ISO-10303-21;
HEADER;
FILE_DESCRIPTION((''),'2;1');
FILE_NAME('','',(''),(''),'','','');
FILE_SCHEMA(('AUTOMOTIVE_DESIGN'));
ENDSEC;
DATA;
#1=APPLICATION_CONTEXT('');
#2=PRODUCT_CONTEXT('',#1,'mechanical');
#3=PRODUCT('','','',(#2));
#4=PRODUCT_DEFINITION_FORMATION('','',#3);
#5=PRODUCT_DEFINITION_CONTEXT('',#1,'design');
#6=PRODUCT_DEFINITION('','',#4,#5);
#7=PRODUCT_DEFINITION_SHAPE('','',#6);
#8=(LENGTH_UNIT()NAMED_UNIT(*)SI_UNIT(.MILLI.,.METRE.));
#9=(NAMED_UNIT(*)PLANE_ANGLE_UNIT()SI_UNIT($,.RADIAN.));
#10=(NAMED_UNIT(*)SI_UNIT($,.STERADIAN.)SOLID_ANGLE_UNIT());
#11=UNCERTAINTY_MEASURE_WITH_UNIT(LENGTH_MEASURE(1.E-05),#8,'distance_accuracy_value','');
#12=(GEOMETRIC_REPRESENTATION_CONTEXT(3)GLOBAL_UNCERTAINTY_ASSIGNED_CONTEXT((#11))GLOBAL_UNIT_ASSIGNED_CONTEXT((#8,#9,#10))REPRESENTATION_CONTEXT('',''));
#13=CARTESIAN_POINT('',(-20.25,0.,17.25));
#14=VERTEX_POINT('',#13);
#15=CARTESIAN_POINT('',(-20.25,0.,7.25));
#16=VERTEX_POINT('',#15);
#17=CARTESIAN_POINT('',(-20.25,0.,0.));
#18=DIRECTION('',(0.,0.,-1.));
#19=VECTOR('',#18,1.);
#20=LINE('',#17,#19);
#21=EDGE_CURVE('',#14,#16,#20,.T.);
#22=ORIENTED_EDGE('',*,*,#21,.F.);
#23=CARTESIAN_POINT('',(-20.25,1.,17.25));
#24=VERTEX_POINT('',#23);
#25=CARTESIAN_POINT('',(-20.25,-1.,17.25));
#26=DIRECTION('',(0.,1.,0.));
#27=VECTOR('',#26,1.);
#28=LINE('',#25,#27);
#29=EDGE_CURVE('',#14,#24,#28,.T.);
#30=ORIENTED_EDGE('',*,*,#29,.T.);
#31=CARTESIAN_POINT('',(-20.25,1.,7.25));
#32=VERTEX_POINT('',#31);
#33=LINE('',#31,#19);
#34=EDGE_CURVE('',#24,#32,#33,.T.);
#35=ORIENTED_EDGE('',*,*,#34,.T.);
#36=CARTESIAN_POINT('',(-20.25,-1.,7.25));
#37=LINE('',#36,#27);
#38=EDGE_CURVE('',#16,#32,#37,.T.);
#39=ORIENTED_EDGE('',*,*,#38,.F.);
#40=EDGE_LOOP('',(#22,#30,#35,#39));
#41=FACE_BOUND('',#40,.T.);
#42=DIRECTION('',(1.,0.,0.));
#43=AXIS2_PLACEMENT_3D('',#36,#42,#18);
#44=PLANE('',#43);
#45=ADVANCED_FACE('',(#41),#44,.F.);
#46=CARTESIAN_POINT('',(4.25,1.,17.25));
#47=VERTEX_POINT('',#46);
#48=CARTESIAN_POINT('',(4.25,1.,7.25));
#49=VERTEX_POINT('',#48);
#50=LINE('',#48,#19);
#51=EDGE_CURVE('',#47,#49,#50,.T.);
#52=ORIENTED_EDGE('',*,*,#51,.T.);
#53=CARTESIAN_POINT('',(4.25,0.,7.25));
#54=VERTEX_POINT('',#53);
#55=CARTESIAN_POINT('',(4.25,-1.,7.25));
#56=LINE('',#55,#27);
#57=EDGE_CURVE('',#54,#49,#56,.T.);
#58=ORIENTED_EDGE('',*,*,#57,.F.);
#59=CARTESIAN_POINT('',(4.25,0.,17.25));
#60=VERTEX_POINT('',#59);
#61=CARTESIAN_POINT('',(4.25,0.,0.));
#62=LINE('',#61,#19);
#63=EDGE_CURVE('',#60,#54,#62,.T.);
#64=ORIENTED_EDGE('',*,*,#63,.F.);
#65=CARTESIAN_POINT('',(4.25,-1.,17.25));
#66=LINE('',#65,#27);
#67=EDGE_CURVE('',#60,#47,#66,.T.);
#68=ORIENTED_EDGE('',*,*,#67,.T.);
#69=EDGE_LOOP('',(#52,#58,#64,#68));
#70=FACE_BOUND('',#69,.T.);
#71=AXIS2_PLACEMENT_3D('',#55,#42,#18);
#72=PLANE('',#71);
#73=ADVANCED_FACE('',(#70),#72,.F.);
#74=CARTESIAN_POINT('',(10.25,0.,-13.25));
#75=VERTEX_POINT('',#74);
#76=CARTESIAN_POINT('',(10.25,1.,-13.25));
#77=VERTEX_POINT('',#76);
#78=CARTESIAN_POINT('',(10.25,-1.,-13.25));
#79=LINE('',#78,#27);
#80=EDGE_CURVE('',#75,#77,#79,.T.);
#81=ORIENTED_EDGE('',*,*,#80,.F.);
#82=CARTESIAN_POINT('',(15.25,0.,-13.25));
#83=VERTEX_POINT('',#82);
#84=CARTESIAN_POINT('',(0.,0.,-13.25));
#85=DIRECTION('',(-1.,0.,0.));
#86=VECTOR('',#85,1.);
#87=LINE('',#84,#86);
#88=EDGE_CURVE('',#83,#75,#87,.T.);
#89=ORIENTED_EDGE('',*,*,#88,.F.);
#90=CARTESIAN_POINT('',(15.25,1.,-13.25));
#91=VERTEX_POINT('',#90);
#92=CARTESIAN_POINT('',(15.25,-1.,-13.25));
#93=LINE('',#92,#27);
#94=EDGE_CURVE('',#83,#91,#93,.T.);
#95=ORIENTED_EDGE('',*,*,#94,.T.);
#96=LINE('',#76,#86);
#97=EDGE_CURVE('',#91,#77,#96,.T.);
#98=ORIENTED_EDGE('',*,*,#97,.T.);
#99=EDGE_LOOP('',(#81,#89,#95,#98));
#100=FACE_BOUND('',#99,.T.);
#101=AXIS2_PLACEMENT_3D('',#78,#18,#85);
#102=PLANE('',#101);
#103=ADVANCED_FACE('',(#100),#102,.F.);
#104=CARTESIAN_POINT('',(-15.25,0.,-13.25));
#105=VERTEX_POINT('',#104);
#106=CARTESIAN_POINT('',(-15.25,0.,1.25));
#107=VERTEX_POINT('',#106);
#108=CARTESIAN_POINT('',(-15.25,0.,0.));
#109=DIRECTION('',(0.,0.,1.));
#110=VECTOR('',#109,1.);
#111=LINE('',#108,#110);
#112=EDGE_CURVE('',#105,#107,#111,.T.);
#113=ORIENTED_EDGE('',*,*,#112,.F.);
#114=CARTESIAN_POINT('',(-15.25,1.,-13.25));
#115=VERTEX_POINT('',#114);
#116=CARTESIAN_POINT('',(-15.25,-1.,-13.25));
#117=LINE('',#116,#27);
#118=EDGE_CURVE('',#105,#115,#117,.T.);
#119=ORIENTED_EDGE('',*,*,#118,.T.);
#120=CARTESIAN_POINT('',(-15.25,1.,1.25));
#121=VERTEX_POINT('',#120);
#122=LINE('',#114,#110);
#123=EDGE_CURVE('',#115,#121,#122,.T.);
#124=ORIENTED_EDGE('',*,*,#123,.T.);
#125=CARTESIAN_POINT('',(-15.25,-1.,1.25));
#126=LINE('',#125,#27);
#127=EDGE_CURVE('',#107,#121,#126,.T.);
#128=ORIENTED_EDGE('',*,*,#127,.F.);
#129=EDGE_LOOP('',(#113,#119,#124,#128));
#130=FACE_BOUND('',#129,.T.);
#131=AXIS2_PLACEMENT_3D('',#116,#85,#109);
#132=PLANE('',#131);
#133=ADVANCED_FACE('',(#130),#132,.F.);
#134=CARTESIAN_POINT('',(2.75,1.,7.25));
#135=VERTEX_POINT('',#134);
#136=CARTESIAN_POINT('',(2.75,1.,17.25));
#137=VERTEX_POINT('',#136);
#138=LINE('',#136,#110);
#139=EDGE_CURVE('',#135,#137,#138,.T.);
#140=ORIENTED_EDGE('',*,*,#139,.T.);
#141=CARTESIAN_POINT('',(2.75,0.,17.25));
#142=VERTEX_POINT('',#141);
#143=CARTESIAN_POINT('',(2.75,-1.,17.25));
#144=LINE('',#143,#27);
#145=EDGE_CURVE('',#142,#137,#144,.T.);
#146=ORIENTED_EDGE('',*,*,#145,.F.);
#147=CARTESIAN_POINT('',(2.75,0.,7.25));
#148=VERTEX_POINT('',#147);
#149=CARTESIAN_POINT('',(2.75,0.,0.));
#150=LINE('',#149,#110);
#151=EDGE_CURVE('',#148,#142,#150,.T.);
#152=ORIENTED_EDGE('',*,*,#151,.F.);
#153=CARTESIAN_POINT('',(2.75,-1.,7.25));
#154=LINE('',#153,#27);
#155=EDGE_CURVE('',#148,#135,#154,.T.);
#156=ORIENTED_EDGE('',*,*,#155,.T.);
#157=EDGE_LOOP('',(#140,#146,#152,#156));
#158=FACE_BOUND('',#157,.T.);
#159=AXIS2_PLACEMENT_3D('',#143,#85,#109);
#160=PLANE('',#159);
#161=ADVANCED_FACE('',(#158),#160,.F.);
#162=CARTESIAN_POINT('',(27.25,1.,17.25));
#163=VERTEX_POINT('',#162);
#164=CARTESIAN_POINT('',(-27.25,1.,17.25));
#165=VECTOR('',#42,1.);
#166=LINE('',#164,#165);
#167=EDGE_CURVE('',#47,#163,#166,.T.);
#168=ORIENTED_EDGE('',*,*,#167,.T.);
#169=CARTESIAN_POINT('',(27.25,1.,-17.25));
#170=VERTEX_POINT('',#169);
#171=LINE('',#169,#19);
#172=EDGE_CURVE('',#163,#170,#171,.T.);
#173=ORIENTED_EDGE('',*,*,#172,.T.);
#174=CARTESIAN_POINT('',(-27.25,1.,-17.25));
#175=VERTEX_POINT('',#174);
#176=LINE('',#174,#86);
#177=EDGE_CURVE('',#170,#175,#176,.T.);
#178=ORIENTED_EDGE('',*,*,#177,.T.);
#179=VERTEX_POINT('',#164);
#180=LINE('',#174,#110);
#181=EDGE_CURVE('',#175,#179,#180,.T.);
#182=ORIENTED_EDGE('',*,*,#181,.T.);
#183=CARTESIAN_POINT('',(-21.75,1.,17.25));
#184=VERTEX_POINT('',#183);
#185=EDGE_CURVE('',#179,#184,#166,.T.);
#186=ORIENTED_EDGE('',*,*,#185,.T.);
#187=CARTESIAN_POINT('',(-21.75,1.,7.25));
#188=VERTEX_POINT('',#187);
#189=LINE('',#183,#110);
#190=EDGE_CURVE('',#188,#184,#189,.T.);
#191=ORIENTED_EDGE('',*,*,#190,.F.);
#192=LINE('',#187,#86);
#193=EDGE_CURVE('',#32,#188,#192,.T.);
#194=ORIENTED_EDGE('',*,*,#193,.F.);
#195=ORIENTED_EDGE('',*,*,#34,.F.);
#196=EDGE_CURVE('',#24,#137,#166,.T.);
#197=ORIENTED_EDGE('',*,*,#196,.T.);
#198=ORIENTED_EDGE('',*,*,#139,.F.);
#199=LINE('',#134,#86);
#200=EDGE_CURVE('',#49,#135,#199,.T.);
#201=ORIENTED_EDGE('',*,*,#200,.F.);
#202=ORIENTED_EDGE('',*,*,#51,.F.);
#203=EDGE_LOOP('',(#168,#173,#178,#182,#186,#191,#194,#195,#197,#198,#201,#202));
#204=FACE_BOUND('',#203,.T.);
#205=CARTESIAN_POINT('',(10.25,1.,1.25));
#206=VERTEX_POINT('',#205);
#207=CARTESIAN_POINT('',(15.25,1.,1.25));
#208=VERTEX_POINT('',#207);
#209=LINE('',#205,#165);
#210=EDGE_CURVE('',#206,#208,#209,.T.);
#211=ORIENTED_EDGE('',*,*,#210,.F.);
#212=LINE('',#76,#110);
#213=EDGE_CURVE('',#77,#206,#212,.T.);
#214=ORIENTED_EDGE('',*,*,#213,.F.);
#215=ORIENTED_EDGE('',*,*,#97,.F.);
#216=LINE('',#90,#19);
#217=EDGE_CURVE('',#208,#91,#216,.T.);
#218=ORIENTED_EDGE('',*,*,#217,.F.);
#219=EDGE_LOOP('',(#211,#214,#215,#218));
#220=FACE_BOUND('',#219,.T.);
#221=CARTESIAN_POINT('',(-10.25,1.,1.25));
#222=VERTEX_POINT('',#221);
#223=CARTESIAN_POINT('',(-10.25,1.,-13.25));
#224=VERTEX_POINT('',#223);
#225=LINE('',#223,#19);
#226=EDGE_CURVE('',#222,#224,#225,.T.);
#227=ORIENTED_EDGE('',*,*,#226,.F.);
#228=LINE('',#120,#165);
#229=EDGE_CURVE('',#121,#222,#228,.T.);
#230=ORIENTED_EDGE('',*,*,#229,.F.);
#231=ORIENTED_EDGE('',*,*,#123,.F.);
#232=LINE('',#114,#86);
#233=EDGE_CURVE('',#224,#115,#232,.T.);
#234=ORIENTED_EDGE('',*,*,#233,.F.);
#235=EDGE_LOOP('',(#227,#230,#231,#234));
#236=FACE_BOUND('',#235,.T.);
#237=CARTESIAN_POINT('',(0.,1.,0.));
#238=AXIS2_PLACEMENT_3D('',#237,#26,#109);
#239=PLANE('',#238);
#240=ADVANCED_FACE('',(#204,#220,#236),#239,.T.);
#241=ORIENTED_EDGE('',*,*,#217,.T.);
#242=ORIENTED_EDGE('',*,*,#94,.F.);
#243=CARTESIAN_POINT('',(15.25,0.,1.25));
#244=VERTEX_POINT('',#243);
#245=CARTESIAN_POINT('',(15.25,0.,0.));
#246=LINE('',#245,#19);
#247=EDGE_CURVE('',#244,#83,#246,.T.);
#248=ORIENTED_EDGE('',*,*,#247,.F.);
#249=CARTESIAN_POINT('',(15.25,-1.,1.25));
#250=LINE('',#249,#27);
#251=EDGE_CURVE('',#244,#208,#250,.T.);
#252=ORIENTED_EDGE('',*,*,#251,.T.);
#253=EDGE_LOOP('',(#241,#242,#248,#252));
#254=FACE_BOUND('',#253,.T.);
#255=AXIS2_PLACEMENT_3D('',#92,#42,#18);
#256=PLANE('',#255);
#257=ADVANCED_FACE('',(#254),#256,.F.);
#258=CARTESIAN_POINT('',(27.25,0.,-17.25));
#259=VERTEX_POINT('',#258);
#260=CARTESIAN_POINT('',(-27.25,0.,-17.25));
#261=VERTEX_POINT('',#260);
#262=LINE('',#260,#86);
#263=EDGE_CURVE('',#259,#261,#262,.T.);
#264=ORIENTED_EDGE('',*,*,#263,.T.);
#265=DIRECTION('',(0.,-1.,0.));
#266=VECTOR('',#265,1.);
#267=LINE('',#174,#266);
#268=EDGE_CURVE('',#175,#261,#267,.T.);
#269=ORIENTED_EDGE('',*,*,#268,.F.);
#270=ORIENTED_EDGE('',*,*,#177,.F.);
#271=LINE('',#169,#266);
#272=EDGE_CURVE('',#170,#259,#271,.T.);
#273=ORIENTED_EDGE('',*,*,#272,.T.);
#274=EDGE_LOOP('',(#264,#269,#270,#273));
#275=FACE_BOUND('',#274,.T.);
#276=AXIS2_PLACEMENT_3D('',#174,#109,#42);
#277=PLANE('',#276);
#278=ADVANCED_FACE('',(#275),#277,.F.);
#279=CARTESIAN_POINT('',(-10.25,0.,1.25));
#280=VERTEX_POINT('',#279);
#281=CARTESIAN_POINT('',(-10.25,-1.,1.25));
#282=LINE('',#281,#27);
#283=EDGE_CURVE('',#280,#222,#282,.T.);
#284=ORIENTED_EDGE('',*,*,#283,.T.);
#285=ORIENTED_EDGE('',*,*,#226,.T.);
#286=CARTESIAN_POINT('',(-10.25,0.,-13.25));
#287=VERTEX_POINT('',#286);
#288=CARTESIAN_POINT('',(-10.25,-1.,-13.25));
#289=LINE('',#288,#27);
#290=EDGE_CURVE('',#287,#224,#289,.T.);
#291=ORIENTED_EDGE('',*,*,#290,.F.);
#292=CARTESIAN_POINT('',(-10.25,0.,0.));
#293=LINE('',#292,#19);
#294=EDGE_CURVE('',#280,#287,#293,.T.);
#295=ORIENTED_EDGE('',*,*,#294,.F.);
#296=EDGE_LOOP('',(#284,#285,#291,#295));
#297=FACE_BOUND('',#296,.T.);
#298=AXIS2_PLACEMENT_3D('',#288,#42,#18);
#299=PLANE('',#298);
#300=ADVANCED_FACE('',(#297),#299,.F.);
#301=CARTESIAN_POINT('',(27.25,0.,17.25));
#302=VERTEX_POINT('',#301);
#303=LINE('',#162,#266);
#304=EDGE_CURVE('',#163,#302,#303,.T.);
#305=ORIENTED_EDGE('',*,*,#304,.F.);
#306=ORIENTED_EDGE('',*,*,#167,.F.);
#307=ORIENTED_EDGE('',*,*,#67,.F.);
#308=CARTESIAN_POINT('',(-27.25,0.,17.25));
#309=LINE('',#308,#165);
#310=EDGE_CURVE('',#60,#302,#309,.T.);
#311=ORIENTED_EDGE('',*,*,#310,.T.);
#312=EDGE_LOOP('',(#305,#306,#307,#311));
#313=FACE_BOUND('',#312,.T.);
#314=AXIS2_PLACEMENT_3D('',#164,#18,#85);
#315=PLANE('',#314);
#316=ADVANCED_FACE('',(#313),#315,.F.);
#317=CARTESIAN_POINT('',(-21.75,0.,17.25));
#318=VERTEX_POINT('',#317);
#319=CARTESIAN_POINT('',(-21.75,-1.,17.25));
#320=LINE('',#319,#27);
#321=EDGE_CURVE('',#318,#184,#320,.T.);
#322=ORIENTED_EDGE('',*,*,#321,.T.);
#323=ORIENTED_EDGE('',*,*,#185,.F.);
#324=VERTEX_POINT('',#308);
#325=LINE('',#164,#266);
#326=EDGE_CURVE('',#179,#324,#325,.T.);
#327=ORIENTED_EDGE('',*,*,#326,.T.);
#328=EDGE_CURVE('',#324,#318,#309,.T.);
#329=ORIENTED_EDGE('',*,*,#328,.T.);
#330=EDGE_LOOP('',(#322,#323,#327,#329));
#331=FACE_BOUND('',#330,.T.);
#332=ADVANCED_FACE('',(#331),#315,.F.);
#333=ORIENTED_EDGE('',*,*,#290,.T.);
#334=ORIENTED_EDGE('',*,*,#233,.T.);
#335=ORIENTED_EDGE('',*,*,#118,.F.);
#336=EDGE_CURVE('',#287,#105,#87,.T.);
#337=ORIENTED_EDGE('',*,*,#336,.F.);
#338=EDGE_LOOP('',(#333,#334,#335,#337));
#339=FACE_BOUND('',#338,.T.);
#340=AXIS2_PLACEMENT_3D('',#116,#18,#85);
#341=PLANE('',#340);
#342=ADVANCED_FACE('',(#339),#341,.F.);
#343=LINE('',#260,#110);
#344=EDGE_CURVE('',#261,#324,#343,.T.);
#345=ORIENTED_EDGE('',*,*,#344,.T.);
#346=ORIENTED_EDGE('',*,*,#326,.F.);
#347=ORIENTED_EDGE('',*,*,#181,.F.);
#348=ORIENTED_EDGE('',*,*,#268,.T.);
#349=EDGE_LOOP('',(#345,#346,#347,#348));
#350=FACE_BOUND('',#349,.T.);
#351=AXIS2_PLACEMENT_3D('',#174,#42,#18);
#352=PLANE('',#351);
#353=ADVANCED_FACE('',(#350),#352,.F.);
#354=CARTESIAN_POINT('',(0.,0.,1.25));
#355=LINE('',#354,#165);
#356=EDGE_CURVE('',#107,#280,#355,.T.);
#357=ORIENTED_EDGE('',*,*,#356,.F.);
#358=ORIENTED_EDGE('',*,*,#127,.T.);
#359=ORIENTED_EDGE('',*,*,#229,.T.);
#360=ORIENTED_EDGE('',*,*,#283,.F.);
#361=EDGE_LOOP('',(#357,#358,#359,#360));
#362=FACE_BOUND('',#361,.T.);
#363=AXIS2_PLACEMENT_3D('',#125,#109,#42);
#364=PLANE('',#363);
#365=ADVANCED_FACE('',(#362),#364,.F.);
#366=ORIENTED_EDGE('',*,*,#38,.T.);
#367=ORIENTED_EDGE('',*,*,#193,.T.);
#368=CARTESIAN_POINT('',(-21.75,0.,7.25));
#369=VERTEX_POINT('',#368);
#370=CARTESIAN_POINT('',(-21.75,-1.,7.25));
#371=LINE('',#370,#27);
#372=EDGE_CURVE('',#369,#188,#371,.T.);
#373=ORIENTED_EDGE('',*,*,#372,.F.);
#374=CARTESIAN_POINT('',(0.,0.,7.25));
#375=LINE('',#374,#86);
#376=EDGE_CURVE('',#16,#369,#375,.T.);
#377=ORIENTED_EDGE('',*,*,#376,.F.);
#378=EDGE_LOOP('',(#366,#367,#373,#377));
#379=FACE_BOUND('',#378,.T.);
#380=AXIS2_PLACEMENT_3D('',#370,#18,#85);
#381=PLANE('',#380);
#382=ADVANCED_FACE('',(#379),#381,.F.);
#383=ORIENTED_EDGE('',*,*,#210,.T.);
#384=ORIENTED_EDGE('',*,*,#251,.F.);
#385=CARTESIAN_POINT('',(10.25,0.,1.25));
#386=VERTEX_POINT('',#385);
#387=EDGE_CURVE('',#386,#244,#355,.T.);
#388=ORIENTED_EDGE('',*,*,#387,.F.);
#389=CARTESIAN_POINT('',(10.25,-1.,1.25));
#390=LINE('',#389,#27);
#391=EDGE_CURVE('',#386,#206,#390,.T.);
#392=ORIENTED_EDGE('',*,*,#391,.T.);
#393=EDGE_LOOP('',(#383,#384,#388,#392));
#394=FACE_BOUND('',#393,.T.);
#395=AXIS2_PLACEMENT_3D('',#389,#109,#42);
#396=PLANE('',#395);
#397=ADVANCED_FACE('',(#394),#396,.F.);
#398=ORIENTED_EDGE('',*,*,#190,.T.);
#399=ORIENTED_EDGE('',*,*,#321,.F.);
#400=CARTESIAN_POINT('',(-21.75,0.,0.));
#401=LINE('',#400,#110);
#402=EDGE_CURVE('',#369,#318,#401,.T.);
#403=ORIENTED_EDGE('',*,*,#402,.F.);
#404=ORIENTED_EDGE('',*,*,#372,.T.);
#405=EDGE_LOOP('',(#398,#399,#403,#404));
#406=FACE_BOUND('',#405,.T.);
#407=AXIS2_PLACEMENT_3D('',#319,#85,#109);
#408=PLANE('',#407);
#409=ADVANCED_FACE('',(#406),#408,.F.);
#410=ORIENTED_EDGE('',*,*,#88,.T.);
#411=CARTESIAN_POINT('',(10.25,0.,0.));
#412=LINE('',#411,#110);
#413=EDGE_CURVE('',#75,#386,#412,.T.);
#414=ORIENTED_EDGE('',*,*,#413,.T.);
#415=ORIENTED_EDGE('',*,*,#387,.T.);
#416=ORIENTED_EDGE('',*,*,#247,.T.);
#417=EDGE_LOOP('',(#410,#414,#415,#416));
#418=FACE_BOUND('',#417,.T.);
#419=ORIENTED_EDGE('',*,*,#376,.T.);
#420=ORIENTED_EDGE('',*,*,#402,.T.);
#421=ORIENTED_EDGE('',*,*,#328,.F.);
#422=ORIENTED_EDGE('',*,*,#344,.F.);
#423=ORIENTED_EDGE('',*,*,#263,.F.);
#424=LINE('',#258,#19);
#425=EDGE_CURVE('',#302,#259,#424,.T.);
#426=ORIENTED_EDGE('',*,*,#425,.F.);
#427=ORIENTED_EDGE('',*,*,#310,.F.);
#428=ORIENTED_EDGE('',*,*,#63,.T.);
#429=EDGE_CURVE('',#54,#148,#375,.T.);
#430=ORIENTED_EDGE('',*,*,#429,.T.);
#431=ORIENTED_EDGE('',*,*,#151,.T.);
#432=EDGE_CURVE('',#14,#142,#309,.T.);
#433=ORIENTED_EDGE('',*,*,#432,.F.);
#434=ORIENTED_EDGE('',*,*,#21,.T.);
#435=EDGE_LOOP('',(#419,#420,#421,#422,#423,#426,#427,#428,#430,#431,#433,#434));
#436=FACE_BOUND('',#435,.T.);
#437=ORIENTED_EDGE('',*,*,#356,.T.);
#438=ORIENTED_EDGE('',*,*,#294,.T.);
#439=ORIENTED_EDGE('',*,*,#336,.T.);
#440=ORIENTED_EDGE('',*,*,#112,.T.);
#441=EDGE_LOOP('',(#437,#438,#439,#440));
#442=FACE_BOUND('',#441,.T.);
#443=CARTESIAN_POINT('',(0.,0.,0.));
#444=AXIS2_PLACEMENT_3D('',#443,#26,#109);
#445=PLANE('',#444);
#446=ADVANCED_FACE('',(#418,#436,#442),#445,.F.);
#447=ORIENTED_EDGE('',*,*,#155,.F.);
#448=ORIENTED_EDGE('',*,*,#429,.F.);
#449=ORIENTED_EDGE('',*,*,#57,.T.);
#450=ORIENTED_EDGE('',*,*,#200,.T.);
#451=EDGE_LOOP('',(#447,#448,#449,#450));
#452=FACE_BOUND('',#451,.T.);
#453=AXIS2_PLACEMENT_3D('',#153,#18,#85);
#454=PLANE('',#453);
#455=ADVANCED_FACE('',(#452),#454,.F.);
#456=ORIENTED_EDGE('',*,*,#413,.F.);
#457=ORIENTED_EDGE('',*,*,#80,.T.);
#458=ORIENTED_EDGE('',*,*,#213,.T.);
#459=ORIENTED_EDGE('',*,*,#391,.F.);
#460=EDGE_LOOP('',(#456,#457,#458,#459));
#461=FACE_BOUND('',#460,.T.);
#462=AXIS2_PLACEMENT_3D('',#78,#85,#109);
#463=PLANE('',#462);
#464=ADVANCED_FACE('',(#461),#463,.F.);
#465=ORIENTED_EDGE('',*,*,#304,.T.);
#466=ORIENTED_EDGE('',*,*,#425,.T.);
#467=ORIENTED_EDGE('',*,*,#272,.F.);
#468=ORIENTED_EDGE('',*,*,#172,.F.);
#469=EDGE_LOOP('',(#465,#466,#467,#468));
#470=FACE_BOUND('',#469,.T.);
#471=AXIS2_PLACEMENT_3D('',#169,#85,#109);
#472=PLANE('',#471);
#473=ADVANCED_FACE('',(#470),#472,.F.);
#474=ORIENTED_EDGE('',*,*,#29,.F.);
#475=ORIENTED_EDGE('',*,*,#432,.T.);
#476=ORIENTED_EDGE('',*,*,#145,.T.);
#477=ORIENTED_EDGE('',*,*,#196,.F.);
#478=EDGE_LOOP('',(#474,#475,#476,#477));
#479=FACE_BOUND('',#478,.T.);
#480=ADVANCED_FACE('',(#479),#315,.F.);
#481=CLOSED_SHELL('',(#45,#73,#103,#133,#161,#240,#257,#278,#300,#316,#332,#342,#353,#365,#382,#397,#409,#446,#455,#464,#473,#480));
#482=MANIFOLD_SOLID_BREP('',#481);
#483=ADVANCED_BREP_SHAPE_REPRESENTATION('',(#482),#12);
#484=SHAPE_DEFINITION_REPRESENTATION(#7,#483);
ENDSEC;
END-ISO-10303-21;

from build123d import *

# Parameters (mm, degrees)
SKETCH1_W           = 54.5
SKETCH1_H           = 34.5
BOSS_EXTRUDE1_DEPTH = 1
SKETCH6_W           = 5
SKETCH6_H           = 14.5
CUT_EXTRUDE1_DEPTH  = 2
SKETCH9_W           = 5
SKETCH9_H           = 14.5
CUT_EXTRUDE2_DEPTH  = 2
SKETCH27_W          = 1.5
SKETCH27_H          = 10
CUT_EXTRUDE3_DEPTH  = 2
SKETCH37_W          = 1.5
SKETCH37_H          = 10
CUT_EXTRUDE10_DEPTH = 2


with BuildPart() as part:
    # Sketch1 → Boss-Extrude1 (new body)
    with BuildSketch(Plane(origin=(0, 0, 0), x_dir=(1, 0, 0), z_dir=(0, 1, 0))):
        Rectangle(SKETCH1_W, SKETCH1_H)
    extrude(amount=BOSS_EXTRUDE1_DEPTH)

    # Sketch6 → Cut-Extrude1 (cut)
    with BuildSketch(Plane(origin=(0, 1, 0), x_dir=(1, 0, 0), z_dir=(0, 1, 0))):
        with Locations((-12.75, 6)):
            Rectangle(SKETCH6_W, SKETCH6_H)
    extrude(amount=-CUT_EXTRUDE1_DEPTH, mode=Mode.SUBTRACT)

    # Sketch9 → Cut-Extrude2 (cut)
    with BuildSketch(Plane(origin=(0, 1, 0), x_dir=(1, 0, 0), z_dir=(0, 1, 0))):
        with Locations((12.75, 6)):
            Rectangle(SKETCH9_W, SKETCH9_H)
    extrude(amount=-CUT_EXTRUDE2_DEPTH, mode=Mode.SUBTRACT)

    # Sketch27 → Cut-Extrude3 (cut)
    with BuildSketch(Plane(origin=(0, 1, 0), x_dir=(1, 0, 0), z_dir=(0, 1, 0))):
        with Locations((-21, -12.25)):
            Rectangle(SKETCH27_W, SKETCH27_H)
    extrude(amount=-CUT_EXTRUDE3_DEPTH, mode=Mode.SUBTRACT)

    # Sketch37 → Cut-Extrude10 (cut)
    with BuildSketch(Plane(origin=(0, 1, 0), x_dir=(1, 0, 0), z_dir=(0, 1, 0))):
        with Locations((3.5, -12.25)):
            Rectangle(SKETCH37_W, SKETCH37_H)
    extrude(amount=-CUT_EXTRUDE10_DEPTH, mode=Mode.SUBTRACT)


solid = part.part
